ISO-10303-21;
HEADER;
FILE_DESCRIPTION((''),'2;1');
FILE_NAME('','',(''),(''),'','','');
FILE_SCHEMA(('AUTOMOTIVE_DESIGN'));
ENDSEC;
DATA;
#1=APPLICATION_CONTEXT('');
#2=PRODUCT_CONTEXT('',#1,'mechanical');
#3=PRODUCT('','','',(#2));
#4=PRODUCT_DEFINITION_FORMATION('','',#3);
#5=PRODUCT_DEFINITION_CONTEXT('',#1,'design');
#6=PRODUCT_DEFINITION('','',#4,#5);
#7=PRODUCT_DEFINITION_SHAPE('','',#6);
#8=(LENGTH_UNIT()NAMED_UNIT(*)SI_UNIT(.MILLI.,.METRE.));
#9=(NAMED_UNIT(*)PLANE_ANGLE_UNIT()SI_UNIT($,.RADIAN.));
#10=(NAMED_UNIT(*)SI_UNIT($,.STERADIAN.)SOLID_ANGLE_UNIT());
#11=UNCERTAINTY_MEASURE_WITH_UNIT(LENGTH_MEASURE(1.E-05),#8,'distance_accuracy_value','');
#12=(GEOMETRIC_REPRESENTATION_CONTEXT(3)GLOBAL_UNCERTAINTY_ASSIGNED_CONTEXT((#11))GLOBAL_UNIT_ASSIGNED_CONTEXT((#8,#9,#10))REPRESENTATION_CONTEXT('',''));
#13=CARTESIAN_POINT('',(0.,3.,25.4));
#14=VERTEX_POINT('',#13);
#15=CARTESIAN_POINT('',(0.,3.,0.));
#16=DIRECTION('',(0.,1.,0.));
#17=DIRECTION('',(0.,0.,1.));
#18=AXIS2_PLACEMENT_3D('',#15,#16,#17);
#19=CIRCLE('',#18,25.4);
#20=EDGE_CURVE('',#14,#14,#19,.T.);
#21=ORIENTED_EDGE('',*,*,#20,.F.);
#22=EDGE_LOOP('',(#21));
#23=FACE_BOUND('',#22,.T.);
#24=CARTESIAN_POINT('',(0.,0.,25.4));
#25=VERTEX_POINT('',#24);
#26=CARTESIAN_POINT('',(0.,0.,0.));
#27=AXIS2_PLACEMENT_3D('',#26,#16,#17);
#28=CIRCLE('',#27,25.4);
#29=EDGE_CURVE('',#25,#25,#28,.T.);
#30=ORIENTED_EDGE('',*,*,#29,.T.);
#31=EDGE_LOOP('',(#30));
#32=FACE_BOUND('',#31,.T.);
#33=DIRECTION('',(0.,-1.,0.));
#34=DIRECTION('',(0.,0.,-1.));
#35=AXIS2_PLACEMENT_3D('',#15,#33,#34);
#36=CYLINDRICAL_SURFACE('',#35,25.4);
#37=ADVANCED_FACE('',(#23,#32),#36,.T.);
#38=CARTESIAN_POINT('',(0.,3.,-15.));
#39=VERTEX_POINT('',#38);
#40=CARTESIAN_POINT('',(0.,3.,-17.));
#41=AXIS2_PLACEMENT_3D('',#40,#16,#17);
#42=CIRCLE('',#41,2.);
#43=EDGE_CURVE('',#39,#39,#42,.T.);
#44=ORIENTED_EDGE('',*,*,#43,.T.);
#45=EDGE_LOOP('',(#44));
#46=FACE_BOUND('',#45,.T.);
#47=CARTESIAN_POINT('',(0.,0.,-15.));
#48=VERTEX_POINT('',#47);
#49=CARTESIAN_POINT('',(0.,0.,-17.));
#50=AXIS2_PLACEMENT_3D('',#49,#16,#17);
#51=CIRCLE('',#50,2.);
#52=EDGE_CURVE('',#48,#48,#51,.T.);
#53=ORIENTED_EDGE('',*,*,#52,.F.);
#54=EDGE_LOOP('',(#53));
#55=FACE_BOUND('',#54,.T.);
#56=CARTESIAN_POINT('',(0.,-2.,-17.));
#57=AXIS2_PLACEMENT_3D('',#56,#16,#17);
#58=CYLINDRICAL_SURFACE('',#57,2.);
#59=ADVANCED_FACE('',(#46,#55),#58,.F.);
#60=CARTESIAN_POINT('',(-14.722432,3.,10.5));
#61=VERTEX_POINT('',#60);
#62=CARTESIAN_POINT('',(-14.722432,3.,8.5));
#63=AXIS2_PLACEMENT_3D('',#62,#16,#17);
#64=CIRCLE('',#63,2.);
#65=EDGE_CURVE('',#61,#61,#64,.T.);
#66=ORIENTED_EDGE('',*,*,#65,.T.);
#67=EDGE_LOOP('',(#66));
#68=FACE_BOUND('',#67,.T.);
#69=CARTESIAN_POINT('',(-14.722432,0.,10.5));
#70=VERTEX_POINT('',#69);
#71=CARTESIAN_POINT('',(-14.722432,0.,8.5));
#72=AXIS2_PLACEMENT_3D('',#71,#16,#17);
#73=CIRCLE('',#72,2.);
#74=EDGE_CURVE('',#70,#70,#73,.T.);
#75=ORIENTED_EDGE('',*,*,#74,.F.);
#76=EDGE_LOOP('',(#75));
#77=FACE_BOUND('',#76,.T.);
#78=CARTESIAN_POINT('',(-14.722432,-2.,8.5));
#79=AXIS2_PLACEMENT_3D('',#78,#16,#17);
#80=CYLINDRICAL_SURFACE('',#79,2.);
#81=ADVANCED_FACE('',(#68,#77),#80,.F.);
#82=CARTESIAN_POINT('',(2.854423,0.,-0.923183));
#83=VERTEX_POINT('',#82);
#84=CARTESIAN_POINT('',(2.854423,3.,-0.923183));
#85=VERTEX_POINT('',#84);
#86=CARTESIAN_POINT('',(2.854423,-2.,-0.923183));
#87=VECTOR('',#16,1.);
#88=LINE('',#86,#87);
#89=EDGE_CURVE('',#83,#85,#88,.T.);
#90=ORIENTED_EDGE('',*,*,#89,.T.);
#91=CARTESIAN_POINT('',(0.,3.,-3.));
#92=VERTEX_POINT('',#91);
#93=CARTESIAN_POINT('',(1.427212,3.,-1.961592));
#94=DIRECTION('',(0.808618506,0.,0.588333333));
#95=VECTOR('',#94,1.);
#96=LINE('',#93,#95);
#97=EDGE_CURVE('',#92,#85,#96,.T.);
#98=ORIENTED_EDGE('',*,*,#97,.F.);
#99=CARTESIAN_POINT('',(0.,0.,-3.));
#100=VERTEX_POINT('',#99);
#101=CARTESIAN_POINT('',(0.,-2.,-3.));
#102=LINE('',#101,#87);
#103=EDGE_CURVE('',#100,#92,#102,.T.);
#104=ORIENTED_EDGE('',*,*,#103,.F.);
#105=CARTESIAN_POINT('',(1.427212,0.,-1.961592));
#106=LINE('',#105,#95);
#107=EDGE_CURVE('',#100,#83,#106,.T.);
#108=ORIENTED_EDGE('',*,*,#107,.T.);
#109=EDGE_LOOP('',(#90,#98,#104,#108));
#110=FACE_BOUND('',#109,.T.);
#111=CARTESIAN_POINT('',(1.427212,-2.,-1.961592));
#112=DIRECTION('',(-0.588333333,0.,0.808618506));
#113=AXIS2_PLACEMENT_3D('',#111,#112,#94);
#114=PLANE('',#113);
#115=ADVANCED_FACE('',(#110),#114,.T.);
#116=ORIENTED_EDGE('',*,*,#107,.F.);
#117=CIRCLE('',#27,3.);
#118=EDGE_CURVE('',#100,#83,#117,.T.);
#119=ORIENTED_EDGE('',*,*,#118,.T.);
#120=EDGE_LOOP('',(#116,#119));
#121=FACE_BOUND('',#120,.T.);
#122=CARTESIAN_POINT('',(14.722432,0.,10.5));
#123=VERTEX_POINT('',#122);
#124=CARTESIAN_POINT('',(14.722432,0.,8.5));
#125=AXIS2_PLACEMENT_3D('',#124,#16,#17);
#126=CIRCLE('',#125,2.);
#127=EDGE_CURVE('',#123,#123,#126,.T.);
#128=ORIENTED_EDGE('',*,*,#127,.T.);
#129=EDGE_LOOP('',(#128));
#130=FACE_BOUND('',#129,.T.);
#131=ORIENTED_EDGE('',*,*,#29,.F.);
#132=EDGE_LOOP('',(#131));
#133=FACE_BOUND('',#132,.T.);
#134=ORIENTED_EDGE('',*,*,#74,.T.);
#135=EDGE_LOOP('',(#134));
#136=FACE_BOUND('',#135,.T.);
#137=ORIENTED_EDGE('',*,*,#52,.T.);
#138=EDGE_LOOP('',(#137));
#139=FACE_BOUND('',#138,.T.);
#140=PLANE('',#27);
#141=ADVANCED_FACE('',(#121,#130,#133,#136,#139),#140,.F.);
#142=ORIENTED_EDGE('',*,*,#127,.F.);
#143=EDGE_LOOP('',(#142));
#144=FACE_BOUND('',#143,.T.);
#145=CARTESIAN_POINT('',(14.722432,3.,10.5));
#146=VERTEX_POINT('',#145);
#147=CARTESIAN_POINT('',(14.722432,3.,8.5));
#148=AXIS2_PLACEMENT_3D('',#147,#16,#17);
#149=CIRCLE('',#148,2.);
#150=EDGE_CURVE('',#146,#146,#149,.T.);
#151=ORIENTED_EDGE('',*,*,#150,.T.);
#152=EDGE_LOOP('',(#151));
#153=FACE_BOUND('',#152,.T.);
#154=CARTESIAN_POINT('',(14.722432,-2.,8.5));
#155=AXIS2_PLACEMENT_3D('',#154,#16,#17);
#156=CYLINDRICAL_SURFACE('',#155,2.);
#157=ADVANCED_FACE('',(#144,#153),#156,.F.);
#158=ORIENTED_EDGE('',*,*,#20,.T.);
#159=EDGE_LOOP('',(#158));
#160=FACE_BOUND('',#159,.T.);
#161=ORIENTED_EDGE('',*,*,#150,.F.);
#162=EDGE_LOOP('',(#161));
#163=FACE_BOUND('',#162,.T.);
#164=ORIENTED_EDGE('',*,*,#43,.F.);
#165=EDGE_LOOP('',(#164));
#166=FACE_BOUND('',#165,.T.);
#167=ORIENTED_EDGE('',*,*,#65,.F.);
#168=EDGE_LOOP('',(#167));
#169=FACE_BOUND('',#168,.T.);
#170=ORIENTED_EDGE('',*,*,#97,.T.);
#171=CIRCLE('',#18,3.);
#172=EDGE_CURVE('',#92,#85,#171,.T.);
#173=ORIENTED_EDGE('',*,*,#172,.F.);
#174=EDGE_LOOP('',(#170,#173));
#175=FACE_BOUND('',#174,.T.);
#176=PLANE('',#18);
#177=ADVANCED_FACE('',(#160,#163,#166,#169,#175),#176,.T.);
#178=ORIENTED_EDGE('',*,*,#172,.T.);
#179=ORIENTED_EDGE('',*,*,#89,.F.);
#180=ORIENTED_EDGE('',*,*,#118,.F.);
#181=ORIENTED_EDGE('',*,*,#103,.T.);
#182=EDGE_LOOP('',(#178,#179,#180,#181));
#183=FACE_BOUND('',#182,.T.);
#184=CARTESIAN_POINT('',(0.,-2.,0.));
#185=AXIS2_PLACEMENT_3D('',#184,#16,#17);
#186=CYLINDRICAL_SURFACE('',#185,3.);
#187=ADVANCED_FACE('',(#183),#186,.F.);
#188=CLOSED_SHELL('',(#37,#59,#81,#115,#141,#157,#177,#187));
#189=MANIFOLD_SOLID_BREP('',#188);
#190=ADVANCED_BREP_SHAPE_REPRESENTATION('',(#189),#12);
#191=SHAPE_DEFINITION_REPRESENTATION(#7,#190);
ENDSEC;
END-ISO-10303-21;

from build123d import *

# Parameters (mm, degrees)
SKETCH1_R           = 25.4
BOSS_EXTRUDE1_DEPTH = 3
CUT_EXTRUDE1_DEPTH  = 5
SKETCH3_R           = 2
CUT_EXTRUDE2_DEPTH  = 5


with BuildPart() as part:
    # Sketch1 → Boss-Extrude1 (new body)
    with BuildSketch(Plane(origin=(0, 0, 0), x_dir=(1, 0, 0), z_dir=(0, 1, 0))):
        with Locations(Location((0, 0, 0), (0, 0, 270))):
            Circle(SKETCH1_R)
    extrude(amount=BOSS_EXTRUDE1_DEPTH)

    # Sketch2 → Cut-Extrude1 (cut)
    with BuildSketch(Plane(origin=(0, 3, 0), x_dir=(1, 0, 0), z_dir=(0, 1, 0))):
        with BuildLine():
            Line((2.854423328, 0.923183333), (0, 3))
            ThreePointArc((0, 3), (-2.121320344, -2.121320344), (3, 0))
            ThreePointArc((3, 0), (2.963382357, 0.467295419), (2.854423328, 0.923183333))
        make_face()
    extrude(amount=-CUT_EXTRUDE1_DEPTH, mode=Mode.SUBTRACT)

    # Sketch3 → Cut-Extrude2 (cut)
    with BuildSketch(Plane(origin=(0, 3, 0), x_dir=(1, 0, 0), z_dir=(0, 1, 0))):
        with Locations(Location((0, 17, 0), (0, 0, 270))):
            Circle(SKETCH3_R)
        with Locations(Location((14.722431864, -8.5, 0), (0, 0, 270))):
            Circle(SKETCH3_R)
        with Locations(Location((-14.722431864, -8.5, 0), (0, 0, 270))):
            Circle(SKETCH3_R)
    extrude(amount=-CUT_EXTRUDE2_DEPTH, mode=Mode.SUBTRACT)


solid = part.part
